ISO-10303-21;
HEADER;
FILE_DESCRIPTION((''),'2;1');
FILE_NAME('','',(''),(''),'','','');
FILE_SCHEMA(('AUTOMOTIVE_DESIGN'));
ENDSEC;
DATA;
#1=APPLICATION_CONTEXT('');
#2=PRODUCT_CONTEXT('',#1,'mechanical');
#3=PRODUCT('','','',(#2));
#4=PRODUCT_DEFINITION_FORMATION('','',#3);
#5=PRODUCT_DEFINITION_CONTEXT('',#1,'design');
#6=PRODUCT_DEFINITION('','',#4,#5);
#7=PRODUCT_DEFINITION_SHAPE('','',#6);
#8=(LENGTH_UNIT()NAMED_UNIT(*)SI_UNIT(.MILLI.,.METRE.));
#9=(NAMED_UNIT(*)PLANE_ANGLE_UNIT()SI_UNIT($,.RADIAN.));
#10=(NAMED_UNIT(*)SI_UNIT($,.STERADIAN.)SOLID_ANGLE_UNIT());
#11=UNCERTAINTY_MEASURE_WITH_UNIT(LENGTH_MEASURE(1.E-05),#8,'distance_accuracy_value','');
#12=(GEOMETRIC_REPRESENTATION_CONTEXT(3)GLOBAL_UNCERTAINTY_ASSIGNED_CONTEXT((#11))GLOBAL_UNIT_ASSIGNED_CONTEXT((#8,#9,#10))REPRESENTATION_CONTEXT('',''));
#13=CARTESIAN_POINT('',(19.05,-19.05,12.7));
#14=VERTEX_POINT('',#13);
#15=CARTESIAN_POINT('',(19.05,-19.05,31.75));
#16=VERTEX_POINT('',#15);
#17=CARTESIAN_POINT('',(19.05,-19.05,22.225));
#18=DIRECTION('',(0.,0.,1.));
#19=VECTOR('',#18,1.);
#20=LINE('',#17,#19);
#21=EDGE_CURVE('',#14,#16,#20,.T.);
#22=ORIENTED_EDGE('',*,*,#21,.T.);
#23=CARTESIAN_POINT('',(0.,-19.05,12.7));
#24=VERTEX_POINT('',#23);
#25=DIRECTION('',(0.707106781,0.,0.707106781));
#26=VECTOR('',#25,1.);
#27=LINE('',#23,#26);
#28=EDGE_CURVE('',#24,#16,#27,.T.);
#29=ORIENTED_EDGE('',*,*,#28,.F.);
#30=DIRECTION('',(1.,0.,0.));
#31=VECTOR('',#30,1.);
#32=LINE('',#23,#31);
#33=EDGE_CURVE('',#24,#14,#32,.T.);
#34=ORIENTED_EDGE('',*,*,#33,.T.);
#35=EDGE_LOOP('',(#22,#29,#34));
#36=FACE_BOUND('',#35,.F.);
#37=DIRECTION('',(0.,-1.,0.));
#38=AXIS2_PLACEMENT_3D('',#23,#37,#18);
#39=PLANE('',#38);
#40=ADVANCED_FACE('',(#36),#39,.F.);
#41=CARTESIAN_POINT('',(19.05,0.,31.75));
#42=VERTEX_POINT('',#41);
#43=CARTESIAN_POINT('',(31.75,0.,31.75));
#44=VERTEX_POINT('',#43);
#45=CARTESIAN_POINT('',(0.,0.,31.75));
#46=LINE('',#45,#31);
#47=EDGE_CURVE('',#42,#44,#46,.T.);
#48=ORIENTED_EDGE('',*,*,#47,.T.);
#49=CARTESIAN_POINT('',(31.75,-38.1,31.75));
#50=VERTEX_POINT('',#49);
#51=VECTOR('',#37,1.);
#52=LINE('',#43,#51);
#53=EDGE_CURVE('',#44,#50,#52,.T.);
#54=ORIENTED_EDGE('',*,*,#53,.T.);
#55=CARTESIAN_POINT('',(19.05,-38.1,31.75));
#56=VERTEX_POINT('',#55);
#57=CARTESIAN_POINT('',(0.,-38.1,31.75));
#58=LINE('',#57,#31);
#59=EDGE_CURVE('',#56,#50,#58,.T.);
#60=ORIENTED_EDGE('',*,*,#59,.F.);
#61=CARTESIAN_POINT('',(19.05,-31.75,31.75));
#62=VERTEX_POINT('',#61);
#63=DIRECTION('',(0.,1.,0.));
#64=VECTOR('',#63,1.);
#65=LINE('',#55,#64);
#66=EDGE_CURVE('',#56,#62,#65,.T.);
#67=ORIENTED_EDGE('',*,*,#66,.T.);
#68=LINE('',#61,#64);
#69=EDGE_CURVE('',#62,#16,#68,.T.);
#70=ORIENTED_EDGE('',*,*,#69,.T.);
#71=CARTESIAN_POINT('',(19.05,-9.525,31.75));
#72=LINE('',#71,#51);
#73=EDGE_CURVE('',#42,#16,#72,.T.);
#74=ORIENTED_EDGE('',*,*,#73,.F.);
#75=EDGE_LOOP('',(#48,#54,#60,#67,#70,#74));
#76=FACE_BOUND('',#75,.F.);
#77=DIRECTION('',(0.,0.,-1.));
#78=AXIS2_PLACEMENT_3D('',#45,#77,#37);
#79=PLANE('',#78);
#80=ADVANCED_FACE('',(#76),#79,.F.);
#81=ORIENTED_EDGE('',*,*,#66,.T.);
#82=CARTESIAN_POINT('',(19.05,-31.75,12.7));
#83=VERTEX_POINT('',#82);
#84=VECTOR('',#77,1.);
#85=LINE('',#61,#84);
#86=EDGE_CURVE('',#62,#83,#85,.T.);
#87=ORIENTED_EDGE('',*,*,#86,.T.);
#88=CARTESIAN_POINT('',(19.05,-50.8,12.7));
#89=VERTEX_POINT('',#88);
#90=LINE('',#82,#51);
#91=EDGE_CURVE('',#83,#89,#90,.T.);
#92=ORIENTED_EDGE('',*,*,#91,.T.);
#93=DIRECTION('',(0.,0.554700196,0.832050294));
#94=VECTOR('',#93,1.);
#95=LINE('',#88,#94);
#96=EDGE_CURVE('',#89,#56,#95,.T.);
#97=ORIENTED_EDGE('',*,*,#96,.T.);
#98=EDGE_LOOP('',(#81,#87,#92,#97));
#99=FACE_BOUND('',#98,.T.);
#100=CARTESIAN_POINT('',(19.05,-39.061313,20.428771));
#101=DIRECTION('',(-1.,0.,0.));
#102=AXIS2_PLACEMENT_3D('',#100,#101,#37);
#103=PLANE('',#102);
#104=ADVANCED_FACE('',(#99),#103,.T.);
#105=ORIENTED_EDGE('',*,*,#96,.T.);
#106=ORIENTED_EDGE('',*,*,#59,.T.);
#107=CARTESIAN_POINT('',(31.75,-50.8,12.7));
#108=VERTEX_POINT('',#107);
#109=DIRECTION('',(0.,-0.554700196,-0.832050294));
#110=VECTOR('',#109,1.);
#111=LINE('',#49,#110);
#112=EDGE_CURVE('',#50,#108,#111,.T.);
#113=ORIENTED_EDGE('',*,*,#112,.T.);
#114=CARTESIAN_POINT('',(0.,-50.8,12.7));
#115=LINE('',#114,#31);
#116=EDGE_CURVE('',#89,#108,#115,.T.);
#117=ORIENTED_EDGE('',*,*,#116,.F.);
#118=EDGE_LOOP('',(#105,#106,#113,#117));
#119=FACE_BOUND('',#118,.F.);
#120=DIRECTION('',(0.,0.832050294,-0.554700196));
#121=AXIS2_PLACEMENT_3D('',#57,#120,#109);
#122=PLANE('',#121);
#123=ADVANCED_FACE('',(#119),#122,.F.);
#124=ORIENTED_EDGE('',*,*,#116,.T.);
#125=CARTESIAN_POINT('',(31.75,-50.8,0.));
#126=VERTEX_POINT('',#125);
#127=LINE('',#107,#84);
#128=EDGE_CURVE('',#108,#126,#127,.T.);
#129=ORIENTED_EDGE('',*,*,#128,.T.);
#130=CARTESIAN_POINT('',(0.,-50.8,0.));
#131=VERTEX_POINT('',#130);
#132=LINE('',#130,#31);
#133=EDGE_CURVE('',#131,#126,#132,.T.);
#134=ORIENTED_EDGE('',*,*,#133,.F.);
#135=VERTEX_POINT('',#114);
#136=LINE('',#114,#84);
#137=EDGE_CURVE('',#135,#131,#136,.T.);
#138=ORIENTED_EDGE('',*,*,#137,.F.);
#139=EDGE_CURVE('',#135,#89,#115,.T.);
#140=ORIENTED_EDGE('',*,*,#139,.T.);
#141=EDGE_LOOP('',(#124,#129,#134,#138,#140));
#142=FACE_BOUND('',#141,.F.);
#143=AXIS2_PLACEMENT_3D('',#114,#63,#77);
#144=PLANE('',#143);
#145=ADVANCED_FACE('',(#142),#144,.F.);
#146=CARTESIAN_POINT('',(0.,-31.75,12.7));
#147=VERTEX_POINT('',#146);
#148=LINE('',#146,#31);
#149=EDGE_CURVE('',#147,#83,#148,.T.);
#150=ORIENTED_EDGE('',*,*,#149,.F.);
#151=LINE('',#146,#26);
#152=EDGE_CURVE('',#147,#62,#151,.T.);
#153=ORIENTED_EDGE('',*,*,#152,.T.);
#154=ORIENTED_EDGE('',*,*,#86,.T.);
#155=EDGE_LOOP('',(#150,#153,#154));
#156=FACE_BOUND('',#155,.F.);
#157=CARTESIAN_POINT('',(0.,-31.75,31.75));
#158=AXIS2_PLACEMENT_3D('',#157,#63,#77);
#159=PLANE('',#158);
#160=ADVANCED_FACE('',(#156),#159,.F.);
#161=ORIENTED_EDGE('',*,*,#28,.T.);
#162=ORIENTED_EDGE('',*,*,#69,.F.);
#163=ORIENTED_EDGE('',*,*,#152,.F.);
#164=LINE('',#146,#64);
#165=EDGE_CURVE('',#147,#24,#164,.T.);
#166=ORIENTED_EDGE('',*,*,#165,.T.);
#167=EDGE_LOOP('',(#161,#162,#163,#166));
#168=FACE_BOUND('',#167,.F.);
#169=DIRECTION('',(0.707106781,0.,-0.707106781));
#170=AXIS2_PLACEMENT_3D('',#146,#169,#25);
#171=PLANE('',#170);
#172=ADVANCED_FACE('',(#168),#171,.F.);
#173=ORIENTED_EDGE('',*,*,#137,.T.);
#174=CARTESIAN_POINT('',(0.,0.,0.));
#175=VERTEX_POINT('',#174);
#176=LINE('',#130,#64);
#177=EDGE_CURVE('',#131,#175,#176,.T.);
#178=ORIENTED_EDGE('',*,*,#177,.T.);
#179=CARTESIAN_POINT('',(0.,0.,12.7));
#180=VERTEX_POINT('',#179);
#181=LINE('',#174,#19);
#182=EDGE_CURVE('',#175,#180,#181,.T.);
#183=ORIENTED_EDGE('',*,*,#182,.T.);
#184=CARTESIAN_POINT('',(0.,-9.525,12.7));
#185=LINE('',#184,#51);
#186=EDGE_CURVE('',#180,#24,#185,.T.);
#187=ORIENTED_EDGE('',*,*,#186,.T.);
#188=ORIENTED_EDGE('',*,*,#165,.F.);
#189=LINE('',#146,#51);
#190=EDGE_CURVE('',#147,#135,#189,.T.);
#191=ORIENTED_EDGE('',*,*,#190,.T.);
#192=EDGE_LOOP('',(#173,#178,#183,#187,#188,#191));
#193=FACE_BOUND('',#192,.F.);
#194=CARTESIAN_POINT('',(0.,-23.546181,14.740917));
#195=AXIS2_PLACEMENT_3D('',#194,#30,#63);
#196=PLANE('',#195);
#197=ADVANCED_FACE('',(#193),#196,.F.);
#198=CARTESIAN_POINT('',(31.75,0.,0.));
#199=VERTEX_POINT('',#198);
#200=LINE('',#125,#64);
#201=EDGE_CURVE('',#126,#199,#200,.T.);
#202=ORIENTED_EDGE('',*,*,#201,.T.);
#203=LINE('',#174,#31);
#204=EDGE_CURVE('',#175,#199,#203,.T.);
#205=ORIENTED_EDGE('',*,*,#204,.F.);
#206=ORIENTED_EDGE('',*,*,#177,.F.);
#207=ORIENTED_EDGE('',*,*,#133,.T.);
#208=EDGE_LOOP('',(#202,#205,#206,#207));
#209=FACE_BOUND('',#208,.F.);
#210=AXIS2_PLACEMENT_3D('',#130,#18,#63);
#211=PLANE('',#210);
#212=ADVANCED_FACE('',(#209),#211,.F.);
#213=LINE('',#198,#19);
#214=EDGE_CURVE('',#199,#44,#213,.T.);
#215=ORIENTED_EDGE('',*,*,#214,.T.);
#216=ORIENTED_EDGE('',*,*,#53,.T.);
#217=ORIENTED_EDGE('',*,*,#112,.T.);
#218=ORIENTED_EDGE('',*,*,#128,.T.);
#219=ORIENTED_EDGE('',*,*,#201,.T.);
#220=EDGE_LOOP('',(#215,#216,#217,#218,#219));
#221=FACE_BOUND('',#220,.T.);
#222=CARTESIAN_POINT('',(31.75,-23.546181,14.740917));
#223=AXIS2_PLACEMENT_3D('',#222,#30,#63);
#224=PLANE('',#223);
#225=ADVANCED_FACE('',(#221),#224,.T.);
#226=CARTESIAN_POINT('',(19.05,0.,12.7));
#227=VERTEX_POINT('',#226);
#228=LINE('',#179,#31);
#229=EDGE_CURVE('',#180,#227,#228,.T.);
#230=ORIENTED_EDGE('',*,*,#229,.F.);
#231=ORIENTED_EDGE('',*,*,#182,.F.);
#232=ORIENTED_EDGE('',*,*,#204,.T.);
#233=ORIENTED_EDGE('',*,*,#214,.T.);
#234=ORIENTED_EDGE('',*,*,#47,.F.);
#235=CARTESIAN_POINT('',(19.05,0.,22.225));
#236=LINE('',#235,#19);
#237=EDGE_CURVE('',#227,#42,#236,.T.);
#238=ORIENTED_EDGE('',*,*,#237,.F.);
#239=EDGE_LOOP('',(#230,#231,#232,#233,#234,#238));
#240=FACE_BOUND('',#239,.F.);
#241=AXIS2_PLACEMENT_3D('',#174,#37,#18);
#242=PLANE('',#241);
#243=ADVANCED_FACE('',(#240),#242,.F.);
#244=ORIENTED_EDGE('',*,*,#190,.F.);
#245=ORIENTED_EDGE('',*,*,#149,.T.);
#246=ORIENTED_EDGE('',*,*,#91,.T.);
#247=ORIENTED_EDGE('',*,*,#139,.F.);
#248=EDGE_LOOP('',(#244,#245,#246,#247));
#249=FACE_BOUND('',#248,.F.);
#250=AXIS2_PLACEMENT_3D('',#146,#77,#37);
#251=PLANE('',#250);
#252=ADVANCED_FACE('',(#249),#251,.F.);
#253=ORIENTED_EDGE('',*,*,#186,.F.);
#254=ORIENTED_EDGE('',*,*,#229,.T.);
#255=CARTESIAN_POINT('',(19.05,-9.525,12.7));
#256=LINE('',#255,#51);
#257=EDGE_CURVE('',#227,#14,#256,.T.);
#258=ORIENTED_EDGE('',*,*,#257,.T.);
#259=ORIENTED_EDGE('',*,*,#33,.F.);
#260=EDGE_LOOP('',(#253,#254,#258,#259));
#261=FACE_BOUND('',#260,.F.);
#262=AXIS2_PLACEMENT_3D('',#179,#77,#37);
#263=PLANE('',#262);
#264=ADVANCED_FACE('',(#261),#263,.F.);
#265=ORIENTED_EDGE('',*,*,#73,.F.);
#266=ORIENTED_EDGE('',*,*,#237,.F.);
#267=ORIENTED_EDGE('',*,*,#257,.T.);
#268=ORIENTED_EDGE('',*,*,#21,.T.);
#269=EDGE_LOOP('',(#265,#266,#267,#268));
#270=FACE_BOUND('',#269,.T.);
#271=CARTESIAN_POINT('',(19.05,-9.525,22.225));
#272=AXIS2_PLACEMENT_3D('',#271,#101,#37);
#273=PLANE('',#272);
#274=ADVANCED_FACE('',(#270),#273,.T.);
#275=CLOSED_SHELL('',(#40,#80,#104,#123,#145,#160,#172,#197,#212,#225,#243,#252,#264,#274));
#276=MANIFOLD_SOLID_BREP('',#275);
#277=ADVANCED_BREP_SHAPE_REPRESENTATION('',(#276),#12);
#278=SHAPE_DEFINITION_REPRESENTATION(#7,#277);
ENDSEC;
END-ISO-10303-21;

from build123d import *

# Parameters (mm, degrees)
F1_DEPTH = 31.75
F3_DEPTH = 19.05
F5_DEPTH = 12.7
F6_W     = 19.05
F6_H     = 19.05
F7_DEPTH = 19.05


with BuildPart() as f1:
    # F0 (on Right) → F1 (new body)
    with BuildSketch(Plane.YZ):
        Polygon((-50.8, 0), (0, 0), (0, 31.75), (-38.1, 31.75), (-50.8, 12.7), align=None)
    extrude(amount=F1_DEPTH)

    # F2 (on face) → F3 (cut)
    with BuildSketch(Plane(origin=(0, 0, 0), x_dir=(0, -1, 0), z_dir=(-1, 0, 0))):
        Polygon((31.75, 12.7), (50.8, 12.7), (38.1, 31.75), (31.75, 31.75), align=None)
    extrude(amount=-F3_DEPTH, mode=Mode.SUBTRACT)

    # F4 (on face) → F5 (cut)
    with BuildSketch(Plane.XZ.offset(31.75)):
        Polygon((0, 12.7), (19.05, 31.75), (0, 31.75), align=None)
    extrude(amount=-F5_DEPTH, mode=Mode.SUBTRACT)

    # F6 (on face) → F7 (cut)
    with BuildSketch(Plane(origin=(0, 0, 0), x_dir=(0, -1, 0), z_dir=(-1, 0, 0))):
        with Locations((9.525, 22.225)):
            Rectangle(F6_W, F6_H)
    extrude(amount=-F7_DEPTH, mode=Mode.SUBTRACT)


solid = f1.part
